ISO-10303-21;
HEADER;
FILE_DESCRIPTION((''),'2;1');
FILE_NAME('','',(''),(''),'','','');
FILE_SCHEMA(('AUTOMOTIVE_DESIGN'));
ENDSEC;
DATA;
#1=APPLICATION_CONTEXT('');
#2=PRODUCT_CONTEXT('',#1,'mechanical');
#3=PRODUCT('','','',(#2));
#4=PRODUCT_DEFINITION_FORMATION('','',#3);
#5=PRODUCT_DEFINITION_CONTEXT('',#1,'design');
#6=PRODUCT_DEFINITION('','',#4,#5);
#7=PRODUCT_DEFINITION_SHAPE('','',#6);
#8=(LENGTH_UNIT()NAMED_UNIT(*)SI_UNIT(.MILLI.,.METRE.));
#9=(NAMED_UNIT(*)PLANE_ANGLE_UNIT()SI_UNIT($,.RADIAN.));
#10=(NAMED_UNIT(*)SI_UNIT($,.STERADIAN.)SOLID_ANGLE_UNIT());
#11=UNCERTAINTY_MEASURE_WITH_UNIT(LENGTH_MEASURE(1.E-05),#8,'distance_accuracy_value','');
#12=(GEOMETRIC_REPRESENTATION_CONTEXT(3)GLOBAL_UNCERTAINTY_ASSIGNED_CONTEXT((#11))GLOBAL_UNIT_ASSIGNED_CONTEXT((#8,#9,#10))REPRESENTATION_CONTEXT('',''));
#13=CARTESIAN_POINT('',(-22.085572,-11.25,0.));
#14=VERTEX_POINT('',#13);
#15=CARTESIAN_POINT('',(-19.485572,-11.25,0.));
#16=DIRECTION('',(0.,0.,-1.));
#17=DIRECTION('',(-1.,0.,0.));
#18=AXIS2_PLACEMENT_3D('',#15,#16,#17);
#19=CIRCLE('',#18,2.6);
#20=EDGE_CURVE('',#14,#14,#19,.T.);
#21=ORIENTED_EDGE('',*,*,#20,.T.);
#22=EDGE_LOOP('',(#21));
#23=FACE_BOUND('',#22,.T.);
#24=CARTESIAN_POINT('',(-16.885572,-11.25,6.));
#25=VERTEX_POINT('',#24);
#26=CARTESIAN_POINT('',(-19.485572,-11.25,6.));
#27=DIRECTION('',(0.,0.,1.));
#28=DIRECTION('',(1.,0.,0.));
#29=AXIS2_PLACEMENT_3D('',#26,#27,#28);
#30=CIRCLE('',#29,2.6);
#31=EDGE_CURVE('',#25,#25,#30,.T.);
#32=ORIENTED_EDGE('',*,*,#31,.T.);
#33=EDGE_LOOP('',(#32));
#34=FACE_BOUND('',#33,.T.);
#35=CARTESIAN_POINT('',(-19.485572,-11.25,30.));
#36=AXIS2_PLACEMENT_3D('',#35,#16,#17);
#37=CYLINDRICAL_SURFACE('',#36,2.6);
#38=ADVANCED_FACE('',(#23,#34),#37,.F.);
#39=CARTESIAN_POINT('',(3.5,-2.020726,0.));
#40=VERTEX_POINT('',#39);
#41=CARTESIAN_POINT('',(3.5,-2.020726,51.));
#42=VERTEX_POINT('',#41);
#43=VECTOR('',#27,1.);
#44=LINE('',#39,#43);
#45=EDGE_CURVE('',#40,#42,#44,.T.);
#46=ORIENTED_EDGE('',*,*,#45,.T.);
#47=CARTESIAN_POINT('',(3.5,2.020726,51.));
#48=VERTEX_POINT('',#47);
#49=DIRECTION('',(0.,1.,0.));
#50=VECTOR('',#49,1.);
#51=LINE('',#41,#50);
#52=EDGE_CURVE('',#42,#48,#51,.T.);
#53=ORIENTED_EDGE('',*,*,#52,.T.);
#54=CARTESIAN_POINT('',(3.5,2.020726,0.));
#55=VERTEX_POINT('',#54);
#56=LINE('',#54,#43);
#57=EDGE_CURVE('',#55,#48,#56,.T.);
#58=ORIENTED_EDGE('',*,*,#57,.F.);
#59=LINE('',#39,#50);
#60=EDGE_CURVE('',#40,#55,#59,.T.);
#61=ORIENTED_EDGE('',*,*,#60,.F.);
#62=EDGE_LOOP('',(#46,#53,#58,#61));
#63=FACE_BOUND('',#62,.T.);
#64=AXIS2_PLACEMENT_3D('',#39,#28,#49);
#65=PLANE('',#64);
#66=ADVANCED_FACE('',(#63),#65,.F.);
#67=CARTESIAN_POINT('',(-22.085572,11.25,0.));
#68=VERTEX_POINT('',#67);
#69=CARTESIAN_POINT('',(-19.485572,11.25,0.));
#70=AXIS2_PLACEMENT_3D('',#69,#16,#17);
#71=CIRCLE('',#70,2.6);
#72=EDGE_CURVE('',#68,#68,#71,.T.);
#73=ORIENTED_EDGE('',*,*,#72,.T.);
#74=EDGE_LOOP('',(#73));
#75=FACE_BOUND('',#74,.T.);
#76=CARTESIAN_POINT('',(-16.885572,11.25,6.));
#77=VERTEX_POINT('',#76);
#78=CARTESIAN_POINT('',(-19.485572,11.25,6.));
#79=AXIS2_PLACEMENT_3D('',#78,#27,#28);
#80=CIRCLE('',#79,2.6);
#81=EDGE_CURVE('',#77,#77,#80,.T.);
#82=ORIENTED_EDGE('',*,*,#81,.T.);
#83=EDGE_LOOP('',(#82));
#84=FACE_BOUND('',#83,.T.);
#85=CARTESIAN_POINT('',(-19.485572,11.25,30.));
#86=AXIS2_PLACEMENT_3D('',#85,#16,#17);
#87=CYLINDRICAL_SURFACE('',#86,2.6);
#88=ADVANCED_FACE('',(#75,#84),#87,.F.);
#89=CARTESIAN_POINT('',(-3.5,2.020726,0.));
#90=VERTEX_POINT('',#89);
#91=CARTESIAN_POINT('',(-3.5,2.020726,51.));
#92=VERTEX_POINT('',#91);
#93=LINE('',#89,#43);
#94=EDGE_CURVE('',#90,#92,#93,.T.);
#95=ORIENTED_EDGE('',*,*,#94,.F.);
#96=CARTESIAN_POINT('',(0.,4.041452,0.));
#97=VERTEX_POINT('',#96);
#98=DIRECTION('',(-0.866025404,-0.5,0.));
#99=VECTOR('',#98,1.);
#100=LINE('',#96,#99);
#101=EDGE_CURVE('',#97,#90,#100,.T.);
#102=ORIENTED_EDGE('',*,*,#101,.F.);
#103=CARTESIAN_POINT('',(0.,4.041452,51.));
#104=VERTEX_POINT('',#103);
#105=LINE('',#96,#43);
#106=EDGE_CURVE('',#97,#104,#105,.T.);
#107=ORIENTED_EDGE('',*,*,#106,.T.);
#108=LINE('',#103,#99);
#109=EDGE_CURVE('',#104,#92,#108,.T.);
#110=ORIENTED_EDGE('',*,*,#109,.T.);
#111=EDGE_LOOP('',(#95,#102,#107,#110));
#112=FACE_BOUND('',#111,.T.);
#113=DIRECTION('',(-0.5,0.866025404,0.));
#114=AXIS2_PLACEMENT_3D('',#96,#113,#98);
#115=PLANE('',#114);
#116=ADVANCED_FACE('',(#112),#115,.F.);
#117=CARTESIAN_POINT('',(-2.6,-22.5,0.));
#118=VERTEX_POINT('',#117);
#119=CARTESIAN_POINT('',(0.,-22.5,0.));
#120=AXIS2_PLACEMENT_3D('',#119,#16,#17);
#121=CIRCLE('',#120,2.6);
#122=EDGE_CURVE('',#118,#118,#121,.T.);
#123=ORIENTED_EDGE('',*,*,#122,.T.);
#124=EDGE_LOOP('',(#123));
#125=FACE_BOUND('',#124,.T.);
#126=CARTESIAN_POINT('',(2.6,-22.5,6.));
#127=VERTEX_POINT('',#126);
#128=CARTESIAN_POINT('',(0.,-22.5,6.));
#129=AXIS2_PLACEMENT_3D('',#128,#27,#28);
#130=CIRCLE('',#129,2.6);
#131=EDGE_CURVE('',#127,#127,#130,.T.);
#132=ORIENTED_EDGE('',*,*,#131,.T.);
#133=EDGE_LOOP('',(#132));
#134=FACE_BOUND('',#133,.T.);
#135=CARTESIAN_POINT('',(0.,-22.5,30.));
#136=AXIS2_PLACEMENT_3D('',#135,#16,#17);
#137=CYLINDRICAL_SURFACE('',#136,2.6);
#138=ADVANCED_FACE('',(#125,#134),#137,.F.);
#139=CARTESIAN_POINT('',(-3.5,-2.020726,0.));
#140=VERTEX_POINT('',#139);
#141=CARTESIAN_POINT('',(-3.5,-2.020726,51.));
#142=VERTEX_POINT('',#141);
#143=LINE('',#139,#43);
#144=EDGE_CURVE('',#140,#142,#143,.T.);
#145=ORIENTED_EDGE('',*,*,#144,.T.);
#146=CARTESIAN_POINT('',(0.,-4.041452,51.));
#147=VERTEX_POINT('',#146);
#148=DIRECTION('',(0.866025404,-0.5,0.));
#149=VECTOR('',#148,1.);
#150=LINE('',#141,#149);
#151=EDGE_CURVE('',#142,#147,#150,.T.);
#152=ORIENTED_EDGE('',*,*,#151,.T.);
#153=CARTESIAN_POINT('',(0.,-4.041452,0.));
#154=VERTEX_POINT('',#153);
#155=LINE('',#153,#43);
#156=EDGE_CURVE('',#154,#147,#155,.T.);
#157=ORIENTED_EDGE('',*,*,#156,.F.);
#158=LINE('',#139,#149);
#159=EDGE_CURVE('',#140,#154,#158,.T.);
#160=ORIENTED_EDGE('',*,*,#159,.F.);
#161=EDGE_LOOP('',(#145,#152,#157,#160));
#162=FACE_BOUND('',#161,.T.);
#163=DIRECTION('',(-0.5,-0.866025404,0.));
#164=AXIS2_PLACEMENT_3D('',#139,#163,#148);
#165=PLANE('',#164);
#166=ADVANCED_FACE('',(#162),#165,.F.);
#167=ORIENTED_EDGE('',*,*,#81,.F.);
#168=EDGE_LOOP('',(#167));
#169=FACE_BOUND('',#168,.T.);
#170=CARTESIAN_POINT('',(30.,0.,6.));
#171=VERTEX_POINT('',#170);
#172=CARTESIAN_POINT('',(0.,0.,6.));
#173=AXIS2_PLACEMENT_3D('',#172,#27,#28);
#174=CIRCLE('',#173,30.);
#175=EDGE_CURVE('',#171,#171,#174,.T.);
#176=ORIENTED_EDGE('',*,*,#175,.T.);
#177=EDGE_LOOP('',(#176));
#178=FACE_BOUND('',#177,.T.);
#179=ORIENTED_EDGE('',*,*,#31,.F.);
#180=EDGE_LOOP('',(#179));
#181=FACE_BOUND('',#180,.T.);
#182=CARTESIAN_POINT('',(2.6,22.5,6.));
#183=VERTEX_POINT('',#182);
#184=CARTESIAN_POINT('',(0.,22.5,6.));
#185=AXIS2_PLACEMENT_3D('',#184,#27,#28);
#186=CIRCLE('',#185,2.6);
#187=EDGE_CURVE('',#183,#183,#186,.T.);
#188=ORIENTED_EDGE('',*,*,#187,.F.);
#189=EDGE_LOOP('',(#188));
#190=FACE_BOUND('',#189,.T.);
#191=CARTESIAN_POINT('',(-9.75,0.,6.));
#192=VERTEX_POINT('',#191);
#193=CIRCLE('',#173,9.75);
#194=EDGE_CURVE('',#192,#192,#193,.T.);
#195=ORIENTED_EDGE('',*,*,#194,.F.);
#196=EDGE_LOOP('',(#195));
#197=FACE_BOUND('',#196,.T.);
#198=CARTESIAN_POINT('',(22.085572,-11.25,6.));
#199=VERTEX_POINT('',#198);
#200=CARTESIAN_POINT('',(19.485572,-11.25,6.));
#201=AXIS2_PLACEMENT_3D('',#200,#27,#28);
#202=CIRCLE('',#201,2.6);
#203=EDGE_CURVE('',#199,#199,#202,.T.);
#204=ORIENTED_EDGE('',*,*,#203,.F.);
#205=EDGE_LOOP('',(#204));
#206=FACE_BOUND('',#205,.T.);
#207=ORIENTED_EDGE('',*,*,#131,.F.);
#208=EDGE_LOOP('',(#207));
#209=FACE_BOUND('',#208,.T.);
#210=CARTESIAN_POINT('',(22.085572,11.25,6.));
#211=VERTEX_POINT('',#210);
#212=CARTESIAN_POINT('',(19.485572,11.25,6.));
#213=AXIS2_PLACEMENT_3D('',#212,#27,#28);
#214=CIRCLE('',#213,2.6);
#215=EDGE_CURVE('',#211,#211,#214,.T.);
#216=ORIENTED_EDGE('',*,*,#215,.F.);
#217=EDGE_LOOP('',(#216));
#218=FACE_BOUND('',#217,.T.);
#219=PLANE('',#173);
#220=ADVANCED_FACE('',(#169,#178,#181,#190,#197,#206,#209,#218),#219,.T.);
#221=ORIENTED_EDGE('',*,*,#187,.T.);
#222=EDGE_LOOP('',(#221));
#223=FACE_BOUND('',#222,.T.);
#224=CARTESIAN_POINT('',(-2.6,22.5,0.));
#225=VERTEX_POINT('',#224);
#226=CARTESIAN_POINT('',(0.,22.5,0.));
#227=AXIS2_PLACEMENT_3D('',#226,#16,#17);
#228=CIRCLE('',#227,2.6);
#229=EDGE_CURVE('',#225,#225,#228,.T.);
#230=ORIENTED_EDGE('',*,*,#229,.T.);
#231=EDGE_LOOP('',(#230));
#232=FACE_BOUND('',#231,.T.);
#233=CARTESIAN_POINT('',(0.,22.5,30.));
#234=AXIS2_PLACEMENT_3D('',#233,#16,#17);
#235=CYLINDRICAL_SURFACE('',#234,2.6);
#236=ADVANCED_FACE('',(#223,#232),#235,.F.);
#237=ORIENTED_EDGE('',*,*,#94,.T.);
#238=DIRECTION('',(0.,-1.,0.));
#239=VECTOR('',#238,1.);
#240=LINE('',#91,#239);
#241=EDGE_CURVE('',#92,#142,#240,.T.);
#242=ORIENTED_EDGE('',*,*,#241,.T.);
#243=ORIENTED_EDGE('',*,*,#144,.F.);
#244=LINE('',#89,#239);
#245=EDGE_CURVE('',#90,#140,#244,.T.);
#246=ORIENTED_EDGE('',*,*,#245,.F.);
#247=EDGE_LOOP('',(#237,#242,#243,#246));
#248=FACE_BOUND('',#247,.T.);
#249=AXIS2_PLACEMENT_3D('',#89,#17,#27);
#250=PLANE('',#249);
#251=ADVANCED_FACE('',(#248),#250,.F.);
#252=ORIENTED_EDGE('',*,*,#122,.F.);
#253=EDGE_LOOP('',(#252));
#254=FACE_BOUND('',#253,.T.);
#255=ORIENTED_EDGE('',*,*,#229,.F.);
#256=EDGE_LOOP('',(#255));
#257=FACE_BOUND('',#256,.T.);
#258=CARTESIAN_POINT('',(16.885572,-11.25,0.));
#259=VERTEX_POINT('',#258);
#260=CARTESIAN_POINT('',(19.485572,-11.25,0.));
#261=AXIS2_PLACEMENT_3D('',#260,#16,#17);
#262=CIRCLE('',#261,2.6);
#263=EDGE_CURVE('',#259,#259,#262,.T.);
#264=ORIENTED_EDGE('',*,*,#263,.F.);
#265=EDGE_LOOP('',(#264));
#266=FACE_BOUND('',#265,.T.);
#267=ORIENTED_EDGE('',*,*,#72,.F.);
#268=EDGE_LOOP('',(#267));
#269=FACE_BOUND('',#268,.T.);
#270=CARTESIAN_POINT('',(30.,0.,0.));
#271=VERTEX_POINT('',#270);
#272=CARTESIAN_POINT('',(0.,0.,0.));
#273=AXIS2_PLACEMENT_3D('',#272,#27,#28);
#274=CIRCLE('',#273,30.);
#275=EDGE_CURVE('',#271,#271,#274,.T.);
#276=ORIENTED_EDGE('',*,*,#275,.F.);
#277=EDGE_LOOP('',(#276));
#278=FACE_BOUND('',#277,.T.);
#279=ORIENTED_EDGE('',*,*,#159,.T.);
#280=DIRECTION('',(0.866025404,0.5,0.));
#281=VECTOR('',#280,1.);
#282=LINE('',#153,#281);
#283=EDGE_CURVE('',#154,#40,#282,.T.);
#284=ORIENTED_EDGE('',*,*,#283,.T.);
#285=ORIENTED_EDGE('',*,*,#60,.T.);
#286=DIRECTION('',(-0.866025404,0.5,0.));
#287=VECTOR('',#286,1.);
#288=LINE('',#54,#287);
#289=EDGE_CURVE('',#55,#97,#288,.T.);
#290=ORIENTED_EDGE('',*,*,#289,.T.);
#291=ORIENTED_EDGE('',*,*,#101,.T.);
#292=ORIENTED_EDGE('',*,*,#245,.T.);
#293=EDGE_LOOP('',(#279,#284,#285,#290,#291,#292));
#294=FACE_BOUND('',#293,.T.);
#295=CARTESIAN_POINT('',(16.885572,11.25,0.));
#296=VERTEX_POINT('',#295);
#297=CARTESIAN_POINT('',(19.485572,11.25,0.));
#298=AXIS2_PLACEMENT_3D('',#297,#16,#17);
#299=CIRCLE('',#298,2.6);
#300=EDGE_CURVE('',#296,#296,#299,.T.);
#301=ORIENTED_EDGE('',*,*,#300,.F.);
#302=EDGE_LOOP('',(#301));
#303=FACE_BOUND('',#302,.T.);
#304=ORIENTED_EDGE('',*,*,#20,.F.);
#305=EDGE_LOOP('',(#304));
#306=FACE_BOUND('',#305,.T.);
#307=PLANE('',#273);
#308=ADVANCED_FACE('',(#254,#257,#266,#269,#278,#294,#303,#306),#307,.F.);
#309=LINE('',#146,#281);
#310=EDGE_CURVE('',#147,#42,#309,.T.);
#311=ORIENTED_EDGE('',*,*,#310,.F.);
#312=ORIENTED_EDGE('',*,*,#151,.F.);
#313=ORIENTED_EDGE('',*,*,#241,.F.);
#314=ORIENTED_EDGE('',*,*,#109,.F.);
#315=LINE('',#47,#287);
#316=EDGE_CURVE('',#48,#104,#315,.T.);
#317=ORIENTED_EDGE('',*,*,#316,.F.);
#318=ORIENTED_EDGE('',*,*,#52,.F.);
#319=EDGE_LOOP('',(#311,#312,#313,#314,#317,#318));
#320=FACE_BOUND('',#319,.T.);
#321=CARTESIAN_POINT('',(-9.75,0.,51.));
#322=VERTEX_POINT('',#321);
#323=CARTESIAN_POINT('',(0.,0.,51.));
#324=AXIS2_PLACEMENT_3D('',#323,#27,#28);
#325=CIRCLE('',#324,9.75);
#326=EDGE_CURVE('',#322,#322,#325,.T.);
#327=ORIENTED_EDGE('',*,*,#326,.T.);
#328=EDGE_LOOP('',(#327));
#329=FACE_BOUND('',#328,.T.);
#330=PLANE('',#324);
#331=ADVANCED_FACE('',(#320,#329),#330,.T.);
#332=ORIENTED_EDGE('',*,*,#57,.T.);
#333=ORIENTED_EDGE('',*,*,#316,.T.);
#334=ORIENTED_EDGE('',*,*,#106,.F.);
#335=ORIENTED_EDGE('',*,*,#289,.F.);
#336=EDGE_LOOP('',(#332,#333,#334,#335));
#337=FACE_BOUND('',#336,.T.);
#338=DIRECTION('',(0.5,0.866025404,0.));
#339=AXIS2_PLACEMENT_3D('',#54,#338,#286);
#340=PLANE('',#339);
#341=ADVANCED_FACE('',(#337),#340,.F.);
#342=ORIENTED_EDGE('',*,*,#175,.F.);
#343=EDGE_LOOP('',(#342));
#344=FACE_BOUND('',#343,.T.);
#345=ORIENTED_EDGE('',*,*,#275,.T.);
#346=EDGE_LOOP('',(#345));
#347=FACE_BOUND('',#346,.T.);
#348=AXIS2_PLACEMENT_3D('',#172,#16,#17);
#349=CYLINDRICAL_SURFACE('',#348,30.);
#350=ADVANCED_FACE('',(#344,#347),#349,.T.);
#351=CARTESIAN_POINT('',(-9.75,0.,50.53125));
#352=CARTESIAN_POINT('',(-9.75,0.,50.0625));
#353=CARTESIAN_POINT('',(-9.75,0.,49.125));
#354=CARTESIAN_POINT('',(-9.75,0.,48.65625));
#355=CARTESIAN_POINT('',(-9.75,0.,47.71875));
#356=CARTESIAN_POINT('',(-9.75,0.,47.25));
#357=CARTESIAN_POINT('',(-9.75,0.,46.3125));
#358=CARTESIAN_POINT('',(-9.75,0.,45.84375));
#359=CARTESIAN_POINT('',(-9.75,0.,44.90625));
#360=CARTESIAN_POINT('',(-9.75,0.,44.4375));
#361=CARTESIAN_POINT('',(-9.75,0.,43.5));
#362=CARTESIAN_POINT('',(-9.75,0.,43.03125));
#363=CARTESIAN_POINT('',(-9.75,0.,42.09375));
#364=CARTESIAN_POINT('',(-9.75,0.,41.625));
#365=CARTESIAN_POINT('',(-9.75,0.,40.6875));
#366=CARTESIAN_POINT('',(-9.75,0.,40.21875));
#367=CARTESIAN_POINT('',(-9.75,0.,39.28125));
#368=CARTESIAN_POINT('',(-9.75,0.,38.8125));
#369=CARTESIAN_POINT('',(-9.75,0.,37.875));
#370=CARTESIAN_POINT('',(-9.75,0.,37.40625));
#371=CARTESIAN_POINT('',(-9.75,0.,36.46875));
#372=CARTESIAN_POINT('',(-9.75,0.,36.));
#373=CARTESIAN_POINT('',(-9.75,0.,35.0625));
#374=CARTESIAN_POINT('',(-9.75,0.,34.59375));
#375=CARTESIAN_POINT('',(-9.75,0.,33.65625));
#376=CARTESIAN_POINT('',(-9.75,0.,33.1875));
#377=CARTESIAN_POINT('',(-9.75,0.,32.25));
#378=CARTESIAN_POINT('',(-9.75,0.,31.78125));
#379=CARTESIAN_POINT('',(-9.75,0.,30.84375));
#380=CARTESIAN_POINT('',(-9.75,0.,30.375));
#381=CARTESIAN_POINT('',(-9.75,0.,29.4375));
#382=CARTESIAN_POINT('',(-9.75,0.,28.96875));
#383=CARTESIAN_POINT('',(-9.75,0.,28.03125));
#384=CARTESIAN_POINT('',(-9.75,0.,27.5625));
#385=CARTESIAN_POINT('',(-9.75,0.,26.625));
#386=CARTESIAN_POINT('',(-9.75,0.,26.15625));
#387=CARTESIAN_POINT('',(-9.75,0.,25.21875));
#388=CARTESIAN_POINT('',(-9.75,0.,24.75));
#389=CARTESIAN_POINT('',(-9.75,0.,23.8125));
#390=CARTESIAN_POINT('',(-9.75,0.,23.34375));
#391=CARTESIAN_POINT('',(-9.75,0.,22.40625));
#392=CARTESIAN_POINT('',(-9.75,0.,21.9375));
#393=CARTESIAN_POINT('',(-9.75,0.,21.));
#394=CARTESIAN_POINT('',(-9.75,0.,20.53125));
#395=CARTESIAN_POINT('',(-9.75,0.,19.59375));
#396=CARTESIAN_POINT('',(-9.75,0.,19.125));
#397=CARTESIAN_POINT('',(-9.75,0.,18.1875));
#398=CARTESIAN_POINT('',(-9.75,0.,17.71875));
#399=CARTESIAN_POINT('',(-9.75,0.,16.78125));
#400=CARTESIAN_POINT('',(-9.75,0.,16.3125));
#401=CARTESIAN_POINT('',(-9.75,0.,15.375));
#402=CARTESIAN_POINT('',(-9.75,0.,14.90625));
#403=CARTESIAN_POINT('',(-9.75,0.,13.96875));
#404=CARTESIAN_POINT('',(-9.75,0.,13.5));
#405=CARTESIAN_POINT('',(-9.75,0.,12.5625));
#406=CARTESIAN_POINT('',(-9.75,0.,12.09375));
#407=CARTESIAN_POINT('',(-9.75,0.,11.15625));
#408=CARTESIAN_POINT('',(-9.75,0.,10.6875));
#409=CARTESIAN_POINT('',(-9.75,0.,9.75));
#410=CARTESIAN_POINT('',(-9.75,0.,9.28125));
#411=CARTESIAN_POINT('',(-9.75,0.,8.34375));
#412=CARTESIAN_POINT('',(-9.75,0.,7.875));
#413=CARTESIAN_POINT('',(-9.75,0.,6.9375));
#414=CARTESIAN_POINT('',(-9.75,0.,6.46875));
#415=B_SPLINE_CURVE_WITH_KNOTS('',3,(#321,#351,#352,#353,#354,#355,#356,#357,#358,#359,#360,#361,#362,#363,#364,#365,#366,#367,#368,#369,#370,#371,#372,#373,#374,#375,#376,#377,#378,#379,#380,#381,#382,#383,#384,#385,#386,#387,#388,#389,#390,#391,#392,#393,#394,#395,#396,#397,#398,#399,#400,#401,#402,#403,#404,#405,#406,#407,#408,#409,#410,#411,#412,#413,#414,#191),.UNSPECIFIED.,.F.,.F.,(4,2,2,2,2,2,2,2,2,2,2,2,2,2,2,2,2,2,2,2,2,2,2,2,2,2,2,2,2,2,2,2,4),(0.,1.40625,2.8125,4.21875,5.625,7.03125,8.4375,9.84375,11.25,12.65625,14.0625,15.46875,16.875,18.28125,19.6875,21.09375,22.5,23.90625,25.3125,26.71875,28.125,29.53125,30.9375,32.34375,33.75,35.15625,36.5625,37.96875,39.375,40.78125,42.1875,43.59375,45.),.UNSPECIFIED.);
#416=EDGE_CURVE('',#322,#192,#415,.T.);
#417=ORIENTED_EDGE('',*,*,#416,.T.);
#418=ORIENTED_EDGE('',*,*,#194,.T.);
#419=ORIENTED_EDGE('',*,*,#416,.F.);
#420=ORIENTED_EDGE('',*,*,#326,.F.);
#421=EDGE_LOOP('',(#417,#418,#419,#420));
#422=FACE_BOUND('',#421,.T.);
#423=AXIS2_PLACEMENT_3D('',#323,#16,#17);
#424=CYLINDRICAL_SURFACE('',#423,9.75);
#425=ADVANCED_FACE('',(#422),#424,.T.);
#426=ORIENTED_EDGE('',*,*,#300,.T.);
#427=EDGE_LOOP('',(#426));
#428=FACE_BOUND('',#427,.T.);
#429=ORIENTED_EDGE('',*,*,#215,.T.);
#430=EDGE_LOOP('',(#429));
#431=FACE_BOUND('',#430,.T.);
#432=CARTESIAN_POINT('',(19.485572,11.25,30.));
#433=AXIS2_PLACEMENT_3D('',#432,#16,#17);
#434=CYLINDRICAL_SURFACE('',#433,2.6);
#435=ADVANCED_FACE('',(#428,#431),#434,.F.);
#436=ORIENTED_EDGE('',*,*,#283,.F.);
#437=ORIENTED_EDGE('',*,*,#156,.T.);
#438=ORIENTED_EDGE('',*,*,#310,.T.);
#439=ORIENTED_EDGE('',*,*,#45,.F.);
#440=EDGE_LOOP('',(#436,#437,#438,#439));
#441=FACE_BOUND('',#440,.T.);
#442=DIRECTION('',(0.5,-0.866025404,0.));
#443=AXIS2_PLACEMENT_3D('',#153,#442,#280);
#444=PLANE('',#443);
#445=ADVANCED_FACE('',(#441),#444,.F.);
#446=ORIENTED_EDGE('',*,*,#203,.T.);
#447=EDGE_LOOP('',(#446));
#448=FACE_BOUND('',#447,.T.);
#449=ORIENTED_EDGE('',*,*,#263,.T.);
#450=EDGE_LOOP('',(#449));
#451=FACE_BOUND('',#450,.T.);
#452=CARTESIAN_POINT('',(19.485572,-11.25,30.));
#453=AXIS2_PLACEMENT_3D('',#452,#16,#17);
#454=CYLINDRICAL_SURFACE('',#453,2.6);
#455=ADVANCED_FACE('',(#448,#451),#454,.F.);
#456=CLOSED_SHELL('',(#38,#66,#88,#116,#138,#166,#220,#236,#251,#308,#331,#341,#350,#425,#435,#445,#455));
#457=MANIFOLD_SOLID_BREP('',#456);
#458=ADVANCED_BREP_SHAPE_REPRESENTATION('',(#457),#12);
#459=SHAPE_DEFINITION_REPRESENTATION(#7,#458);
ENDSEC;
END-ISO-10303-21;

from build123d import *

# Parameters (mm, degrees)
SKETCH1_R           = 30
BOSS_EXTRUDE1_DEPTH = 6
SKETCH2_R           = 9.75
BOSS_EXTRUDE2_DEPTH = 45
CUT_EXTRUDE1_DEPTH  = 67.340033162
SKETCH5_R           = 2.6
CUT_EXTRUDE3_DEPTH  = 30


with BuildPart() as part:
    # Sketch1 → Boss-Extrude1 (new body)
    with BuildSketch(Plane.XY):
        Circle(SKETCH1_R)
    extrude(amount=BOSS_EXTRUDE1_DEPTH)

    # Sketch2 → Boss-Extrude2 (add)
    with BuildSketch(Plane.XY.offset(6)):
        with Locations(Location((0, 0, 0), (0, 0, 180))):
            Circle(SKETCH2_R)
    extrude(amount=BOSS_EXTRUDE2_DEPTH)

    # Sketch3 → Cut-Extrude1 (cut, through all)
    with BuildSketch(Plane.XY.offset(51)):
        Polygon((0, 4.041451884), (-3.5, 2.020725942), (-3.5, -2.020725942), (0, -4.041451884), (3.5, -2.020725942), (3.5, 2.020725942), align=None)
    extrude(amount=-CUT_EXTRUDE1_DEPTH, mode=Mode.SUBTRACT)

    # Sketch5 → Cut-Extrude3 (cut)
    with BuildSketch(Plane(origin=(0, 0, 0), x_dir=(-1, 0, 0), z_dir=(0, 0, -1))):
        with Locations((0, 22.5)):
            Circle(SKETCH5_R)
        with Locations((19.485571585, 11.25)):
            Circle(SKETCH5_R)
        with Locations((19.485571585, -11.25)):
            Circle(SKETCH5_R)
        with Locations((0, -22.5)):
            Circle(SKETCH5_R)
        with Locations((-19.485571585, -11.25)):
            Circle(SKETCH5_R)
        with Locations((-19.485571585, 11.25)):
            Circle(SKETCH5_R)
    extrude(amount=-CUT_EXTRUDE3_DEPTH, mode=Mode.SUBTRACT)


solid = part.part
